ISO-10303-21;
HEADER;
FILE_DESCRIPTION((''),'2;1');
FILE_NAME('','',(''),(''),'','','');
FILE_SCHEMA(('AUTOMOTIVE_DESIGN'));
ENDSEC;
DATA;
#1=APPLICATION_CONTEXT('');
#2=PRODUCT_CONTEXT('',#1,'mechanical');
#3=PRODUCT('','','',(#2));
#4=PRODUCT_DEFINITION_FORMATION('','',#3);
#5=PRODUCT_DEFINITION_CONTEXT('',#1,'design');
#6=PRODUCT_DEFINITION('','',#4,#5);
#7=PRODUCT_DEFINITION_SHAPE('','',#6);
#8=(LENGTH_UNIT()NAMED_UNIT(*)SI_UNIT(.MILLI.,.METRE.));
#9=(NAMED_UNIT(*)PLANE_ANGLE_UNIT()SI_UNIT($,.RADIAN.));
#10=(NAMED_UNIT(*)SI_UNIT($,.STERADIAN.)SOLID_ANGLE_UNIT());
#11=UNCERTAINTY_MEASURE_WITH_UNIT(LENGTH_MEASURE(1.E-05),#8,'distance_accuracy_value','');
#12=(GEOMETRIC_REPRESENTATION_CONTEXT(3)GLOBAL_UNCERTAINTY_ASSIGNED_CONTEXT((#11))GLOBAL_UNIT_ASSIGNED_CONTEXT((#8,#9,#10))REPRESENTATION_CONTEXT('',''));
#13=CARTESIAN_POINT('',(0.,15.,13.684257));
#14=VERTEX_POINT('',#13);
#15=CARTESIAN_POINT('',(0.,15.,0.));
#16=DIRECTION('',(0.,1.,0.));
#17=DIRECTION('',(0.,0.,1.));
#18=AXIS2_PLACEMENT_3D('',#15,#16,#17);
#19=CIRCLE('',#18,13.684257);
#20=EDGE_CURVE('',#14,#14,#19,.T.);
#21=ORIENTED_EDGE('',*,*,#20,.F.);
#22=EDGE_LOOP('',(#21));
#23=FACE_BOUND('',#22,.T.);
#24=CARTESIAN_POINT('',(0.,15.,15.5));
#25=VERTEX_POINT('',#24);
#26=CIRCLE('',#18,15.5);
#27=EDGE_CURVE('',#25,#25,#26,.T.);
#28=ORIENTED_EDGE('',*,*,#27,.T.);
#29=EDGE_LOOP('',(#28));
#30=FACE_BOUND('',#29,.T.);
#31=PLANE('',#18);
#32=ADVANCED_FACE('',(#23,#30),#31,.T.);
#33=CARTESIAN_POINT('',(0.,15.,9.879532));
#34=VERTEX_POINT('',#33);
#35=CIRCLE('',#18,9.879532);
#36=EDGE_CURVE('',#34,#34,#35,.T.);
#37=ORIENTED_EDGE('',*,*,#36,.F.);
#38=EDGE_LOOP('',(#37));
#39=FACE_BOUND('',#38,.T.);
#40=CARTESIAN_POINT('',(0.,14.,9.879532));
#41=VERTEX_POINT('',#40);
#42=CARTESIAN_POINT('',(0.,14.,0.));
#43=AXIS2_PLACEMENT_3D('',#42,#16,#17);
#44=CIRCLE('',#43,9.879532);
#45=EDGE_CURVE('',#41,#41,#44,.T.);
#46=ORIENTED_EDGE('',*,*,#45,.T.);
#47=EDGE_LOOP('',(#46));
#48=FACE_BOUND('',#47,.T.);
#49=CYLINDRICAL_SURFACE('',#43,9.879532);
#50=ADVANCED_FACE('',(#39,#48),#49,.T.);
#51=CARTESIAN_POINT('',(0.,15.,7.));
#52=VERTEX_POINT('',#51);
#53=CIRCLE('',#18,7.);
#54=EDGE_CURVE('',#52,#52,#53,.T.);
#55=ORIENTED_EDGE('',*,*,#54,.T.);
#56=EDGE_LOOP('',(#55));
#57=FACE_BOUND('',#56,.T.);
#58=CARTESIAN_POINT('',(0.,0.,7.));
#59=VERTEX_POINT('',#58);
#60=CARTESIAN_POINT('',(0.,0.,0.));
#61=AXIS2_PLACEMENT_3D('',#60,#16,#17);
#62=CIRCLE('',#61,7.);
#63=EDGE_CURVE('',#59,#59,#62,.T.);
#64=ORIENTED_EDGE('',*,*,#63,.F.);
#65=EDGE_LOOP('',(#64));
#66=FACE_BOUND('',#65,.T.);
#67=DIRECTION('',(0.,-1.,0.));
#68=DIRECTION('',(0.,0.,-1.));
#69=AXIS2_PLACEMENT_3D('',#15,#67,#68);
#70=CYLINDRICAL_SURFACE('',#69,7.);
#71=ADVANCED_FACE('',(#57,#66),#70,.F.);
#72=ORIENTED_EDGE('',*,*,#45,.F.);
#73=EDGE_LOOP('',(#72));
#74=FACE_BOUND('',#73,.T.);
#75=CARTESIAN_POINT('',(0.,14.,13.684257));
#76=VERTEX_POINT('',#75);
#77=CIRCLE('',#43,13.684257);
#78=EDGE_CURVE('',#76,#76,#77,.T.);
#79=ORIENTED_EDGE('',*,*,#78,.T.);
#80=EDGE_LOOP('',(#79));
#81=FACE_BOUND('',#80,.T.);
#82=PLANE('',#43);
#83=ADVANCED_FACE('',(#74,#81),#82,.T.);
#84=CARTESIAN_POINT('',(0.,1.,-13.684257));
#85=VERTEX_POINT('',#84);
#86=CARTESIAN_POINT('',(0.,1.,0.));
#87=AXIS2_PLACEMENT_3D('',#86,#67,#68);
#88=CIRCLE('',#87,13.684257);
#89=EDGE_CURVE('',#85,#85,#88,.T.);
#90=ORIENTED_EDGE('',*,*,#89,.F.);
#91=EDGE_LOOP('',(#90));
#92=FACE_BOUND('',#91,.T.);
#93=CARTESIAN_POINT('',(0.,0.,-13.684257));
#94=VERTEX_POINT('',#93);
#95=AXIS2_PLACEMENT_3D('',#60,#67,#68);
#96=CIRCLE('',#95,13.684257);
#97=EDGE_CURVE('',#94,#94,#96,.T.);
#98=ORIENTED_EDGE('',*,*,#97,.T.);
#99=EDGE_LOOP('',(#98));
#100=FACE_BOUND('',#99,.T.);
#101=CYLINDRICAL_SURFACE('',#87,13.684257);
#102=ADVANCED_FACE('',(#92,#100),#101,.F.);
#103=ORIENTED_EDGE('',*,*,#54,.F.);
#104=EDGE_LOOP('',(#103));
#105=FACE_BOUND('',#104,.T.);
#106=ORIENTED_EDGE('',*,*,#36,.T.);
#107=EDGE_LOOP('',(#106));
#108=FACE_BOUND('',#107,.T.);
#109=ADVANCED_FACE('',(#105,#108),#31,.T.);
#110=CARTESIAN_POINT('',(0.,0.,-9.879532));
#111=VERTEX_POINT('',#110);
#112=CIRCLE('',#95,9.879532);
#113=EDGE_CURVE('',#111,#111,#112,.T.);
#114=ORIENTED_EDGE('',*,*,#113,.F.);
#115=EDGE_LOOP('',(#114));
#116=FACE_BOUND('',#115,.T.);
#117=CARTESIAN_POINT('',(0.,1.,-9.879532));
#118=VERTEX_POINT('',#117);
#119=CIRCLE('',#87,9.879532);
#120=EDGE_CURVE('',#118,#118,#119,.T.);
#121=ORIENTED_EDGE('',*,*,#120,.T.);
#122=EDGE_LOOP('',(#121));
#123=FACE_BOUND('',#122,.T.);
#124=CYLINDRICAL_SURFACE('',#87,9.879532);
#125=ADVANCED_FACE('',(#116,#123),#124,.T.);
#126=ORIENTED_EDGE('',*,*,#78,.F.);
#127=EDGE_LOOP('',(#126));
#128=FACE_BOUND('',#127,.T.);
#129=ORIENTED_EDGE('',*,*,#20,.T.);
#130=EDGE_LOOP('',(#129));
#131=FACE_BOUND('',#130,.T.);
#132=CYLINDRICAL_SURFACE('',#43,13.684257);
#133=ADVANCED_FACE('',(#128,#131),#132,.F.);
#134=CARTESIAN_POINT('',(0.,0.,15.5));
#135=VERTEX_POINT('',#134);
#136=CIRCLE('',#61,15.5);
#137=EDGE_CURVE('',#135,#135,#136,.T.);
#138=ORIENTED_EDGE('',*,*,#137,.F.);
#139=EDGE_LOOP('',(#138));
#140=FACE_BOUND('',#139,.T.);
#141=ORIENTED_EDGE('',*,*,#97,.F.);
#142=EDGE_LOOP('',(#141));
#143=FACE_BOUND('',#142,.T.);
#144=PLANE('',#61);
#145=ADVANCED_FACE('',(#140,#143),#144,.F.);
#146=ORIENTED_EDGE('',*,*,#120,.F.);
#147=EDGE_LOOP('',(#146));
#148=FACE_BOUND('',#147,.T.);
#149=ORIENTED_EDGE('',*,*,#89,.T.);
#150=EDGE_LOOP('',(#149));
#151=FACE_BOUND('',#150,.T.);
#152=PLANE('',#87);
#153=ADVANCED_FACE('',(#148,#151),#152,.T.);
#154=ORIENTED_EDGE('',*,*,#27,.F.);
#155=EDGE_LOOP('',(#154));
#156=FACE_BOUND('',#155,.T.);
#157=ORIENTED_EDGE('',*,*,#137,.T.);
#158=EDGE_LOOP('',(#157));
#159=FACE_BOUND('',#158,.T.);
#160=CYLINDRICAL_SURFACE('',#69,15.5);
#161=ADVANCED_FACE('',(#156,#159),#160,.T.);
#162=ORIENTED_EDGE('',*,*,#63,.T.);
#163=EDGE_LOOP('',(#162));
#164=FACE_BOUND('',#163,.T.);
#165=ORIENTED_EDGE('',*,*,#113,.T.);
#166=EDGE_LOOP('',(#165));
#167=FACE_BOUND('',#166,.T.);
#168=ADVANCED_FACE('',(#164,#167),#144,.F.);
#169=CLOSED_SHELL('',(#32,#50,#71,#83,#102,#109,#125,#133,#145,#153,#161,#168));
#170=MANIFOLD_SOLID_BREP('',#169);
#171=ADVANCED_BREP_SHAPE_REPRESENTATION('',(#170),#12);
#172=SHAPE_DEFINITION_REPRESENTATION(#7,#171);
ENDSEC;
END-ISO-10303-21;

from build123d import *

# Parameters (mm, degrees)
SKETCH1_R           = 15.5
SKETCH1_R_2         = 7
BOSS_EXTRUDE1_DEPTH = 15
SKETCH5_R           = 13.684256987
SKETCH5_R_2         = 9.879532168
CUT_EXTRUDE3_DEPTH  = 1
CUT_EXTRUDE4_START  = -1
SKETCH6_R           = 13.684256987
SKETCH6_R_2         = 9.879532168
CUT_EXTRUDE4_DEPTH  = 1


with BuildPart() as part:
    # Sketch1 → Boss-Extrude1 (new body)
    with BuildSketch(Plane(origin=(0, 0, 0), x_dir=(1, 0, 0), z_dir=(0, 1, 0))):
        with Locations(Location((0, 0, 0), (0, 0, 270))):
            Circle(SKETCH1_R)
        with Locations(Location((0, 0, 0), (0, 0, 270))):
            Circle(SKETCH1_R_2, mode=Mode.SUBTRACT)
    extrude(amount=BOSS_EXTRUDE1_DEPTH)

    # Sketch5 → Cut-Extrude3 (cut)
    with BuildSketch(Plane(origin=(0, 15, 0), x_dir=(1, 0, 0), z_dir=(0, 1, 0))):
        with Locations(Location((0, 0, 0), (0, 0, 270))):
            Circle(SKETCH5_R)
        with Locations(Location((0, 0, 0), (0, 0, 270))):
            Circle(SKETCH5_R_2, mode=Mode.SUBTRACT)
    extrude(amount=-CUT_EXTRUDE3_DEPTH, mode=Mode.SUBTRACT)

    # Sketch6 → Cut-Extrude4 (cut)
    with BuildSketch(Plane.XZ.offset(CUT_EXTRUDE4_START)):
        with Locations(Location((0, 0, 0), (0, 0, 90))):
            Circle(SKETCH6_R)
        with Locations(Location((0, 0, 0), (0, 0, 90))):
            Circle(SKETCH6_R_2, mode=Mode.SUBTRACT)
    extrude(amount=CUT_EXTRUDE4_DEPTH, mode=Mode.SUBTRACT)


solid = part.part
